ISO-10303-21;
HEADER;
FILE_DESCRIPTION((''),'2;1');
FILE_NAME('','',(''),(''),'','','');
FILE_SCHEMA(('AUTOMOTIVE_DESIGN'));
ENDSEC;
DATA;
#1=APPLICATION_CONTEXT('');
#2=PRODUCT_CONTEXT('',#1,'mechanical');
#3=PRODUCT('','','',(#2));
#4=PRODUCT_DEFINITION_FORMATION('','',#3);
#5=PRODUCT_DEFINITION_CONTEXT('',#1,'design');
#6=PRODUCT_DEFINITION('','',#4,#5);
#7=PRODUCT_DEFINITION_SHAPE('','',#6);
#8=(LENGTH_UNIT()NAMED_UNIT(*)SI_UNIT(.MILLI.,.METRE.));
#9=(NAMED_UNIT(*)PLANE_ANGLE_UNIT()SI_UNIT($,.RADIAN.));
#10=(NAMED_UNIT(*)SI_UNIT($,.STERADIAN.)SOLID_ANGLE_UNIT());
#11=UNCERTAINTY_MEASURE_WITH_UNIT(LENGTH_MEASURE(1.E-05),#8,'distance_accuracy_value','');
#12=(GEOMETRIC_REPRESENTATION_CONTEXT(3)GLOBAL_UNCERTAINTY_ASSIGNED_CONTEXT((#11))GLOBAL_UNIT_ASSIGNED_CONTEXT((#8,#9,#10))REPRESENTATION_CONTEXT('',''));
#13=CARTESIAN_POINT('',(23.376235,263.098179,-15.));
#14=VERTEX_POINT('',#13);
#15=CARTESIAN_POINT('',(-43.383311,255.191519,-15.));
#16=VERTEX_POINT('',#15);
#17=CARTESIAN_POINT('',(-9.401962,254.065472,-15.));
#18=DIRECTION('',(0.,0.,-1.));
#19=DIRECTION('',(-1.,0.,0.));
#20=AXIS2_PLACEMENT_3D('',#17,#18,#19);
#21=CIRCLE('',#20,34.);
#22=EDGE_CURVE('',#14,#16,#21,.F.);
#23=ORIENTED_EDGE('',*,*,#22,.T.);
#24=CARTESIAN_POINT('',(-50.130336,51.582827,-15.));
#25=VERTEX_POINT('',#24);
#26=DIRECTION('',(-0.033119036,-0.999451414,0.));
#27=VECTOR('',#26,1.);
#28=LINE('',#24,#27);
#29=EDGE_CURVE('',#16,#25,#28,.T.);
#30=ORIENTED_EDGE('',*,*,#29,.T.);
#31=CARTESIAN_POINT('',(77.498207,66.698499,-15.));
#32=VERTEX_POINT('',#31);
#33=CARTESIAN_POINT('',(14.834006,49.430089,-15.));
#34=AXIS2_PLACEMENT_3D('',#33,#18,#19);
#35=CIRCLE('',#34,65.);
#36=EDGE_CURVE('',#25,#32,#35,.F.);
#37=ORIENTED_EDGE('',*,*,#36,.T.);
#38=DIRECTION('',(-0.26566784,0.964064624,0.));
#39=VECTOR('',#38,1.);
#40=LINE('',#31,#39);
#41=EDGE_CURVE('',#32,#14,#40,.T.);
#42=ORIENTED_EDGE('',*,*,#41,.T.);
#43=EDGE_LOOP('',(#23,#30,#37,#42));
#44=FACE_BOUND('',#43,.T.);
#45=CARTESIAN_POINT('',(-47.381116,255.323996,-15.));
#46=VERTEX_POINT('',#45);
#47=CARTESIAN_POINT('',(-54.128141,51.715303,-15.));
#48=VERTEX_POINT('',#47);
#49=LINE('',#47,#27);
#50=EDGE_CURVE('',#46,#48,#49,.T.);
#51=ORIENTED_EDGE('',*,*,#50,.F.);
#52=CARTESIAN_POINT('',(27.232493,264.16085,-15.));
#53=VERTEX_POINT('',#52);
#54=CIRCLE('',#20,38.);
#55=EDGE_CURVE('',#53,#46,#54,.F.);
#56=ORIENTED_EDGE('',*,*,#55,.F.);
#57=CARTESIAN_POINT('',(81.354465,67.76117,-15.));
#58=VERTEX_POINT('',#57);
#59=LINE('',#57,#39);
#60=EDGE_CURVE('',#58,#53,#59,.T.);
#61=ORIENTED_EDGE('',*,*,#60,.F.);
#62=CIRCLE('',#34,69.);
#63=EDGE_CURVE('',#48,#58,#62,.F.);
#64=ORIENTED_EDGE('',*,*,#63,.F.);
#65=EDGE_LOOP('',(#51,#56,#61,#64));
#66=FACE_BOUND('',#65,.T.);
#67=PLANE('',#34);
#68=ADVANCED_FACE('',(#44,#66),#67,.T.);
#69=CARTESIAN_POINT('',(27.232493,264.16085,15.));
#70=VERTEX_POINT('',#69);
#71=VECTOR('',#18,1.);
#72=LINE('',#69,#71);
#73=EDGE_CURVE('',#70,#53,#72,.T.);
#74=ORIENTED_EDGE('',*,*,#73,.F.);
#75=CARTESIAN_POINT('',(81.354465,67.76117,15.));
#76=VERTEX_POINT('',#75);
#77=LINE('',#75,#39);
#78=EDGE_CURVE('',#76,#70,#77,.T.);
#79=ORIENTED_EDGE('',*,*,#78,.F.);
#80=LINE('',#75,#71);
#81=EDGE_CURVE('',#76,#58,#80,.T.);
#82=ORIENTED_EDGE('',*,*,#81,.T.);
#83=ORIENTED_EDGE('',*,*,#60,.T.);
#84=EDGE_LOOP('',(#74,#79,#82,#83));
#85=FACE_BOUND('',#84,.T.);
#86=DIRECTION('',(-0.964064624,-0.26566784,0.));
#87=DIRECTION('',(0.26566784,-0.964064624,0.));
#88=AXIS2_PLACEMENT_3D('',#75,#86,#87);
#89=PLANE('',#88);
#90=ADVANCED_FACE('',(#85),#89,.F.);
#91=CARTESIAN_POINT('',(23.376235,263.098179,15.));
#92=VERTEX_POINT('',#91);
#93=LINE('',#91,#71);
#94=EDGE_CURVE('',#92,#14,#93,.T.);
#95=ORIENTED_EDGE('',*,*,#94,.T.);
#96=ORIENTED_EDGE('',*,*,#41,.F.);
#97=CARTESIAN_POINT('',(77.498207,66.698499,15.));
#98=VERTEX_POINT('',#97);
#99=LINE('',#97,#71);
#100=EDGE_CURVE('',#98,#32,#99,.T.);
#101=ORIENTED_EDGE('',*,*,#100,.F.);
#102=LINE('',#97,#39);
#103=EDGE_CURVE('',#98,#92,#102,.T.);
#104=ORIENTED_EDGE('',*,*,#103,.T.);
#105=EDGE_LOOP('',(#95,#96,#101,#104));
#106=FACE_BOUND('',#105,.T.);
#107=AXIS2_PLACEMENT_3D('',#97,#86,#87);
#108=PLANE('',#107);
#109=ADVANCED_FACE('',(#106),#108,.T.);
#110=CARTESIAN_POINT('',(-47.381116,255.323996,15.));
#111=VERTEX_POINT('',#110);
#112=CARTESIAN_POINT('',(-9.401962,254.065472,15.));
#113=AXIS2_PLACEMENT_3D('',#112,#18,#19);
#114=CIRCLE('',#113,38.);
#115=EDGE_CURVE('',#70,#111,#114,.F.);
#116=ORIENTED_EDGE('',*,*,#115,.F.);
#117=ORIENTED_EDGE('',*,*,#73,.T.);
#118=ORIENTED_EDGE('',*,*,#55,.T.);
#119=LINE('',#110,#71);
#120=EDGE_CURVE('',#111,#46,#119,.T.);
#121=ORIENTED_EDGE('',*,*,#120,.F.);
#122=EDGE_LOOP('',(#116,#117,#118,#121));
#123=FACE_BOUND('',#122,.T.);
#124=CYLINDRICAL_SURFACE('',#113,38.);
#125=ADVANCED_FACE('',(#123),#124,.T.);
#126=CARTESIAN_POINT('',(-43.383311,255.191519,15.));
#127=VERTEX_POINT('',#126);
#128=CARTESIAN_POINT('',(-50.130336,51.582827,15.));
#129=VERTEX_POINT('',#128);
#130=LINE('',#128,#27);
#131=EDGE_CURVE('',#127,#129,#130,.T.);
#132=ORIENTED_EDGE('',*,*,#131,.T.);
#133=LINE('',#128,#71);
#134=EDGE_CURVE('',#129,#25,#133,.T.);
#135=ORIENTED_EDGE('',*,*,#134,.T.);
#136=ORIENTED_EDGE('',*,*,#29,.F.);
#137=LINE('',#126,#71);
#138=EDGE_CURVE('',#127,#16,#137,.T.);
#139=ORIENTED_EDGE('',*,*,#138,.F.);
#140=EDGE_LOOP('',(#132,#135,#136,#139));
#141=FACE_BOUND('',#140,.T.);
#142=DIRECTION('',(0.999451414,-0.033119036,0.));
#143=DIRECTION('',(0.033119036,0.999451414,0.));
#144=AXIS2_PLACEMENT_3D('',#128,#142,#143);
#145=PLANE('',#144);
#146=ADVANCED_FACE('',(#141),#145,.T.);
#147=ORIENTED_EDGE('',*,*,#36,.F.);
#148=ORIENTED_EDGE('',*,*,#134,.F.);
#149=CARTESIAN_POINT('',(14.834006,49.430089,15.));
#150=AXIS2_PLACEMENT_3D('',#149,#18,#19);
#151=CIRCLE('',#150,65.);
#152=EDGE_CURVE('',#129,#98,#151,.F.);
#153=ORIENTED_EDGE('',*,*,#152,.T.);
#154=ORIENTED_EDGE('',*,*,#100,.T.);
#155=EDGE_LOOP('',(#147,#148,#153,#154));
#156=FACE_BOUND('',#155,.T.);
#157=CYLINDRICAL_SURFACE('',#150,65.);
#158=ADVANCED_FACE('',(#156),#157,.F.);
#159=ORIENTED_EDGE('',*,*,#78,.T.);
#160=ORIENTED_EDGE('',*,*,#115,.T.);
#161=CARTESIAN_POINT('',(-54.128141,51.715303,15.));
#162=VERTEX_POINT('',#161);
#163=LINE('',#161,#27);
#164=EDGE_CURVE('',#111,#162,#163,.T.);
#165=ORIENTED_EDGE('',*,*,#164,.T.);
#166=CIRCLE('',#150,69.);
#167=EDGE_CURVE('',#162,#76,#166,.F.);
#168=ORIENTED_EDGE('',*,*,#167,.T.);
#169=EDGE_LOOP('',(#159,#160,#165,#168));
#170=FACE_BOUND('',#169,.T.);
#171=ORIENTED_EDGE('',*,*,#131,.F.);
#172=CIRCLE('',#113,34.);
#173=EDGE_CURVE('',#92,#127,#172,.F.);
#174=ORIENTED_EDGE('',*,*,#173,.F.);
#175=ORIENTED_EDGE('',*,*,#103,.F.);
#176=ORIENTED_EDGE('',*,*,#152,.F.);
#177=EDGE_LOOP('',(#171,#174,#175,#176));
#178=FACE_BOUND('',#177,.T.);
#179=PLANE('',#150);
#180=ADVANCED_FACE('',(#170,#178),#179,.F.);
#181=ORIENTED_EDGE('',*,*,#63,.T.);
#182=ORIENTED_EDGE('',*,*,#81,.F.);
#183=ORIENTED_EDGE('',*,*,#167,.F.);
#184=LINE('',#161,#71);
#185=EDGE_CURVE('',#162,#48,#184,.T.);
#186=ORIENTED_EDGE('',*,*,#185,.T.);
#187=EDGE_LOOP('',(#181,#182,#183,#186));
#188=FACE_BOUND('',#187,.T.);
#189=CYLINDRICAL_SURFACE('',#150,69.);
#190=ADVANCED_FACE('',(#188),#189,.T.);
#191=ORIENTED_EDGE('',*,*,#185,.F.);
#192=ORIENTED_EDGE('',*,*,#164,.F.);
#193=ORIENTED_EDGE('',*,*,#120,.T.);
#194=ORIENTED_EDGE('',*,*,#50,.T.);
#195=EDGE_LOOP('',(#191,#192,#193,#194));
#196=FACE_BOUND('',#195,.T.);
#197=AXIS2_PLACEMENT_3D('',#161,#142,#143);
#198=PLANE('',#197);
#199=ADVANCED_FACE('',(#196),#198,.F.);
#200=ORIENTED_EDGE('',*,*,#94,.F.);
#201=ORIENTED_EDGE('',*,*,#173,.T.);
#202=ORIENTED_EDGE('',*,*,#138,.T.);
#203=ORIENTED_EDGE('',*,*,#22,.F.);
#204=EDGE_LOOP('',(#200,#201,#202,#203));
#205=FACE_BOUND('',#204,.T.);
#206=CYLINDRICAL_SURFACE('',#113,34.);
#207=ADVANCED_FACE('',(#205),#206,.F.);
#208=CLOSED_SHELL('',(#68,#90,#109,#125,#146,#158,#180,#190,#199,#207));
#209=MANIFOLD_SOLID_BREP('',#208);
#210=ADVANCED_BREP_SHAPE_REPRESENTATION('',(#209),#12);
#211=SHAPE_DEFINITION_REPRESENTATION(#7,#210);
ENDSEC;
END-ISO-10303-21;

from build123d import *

# Parameters (mm, degrees)
EXTRUDE_2_DEPTH = 15


with BuildPart() as part:
    # 草图2 → 拉伸-薄壁2 (new, symmetric)
    with BuildSketch(Plane.XY):
        with BuildLine():
            Line((27.232493223, 264.160850042), (81.354465388, 67.76117014))
            ThreePointArc((81.354465388, 67.76117014), (22.949296012, -19.091017594), (-54.128141234, 51.715302687))
            Line((-54.128141234, 51.715302687), (-47.381116221, 255.323995503))
            ThreePointArc((-47.381116221, 255.323995503), (-13.87125244, 291.801733825), (27.232493223, 264.160850042))
        make_face()
        with BuildLine():
            Line((23.376234728, 263.098178682), (77.498206893, 66.69849878))
            ThreePointArc((77.498206893, 66.69849878), (22.478844437, -15.11877952), (-50.130335577, 51.582826542))
            Line((-50.130335577, 51.582826542), (-43.383310564, 255.191519358))
            ThreePointArc((-43.383310564, 255.191519358), (-13.400800865, 287.829495751), (23.376234728, 263.098178682))
        make_face(mode=Mode.SUBTRACT)
    extrude(amount=EXTRUDE_2_DEPTH, both=True)


solid = part.part
